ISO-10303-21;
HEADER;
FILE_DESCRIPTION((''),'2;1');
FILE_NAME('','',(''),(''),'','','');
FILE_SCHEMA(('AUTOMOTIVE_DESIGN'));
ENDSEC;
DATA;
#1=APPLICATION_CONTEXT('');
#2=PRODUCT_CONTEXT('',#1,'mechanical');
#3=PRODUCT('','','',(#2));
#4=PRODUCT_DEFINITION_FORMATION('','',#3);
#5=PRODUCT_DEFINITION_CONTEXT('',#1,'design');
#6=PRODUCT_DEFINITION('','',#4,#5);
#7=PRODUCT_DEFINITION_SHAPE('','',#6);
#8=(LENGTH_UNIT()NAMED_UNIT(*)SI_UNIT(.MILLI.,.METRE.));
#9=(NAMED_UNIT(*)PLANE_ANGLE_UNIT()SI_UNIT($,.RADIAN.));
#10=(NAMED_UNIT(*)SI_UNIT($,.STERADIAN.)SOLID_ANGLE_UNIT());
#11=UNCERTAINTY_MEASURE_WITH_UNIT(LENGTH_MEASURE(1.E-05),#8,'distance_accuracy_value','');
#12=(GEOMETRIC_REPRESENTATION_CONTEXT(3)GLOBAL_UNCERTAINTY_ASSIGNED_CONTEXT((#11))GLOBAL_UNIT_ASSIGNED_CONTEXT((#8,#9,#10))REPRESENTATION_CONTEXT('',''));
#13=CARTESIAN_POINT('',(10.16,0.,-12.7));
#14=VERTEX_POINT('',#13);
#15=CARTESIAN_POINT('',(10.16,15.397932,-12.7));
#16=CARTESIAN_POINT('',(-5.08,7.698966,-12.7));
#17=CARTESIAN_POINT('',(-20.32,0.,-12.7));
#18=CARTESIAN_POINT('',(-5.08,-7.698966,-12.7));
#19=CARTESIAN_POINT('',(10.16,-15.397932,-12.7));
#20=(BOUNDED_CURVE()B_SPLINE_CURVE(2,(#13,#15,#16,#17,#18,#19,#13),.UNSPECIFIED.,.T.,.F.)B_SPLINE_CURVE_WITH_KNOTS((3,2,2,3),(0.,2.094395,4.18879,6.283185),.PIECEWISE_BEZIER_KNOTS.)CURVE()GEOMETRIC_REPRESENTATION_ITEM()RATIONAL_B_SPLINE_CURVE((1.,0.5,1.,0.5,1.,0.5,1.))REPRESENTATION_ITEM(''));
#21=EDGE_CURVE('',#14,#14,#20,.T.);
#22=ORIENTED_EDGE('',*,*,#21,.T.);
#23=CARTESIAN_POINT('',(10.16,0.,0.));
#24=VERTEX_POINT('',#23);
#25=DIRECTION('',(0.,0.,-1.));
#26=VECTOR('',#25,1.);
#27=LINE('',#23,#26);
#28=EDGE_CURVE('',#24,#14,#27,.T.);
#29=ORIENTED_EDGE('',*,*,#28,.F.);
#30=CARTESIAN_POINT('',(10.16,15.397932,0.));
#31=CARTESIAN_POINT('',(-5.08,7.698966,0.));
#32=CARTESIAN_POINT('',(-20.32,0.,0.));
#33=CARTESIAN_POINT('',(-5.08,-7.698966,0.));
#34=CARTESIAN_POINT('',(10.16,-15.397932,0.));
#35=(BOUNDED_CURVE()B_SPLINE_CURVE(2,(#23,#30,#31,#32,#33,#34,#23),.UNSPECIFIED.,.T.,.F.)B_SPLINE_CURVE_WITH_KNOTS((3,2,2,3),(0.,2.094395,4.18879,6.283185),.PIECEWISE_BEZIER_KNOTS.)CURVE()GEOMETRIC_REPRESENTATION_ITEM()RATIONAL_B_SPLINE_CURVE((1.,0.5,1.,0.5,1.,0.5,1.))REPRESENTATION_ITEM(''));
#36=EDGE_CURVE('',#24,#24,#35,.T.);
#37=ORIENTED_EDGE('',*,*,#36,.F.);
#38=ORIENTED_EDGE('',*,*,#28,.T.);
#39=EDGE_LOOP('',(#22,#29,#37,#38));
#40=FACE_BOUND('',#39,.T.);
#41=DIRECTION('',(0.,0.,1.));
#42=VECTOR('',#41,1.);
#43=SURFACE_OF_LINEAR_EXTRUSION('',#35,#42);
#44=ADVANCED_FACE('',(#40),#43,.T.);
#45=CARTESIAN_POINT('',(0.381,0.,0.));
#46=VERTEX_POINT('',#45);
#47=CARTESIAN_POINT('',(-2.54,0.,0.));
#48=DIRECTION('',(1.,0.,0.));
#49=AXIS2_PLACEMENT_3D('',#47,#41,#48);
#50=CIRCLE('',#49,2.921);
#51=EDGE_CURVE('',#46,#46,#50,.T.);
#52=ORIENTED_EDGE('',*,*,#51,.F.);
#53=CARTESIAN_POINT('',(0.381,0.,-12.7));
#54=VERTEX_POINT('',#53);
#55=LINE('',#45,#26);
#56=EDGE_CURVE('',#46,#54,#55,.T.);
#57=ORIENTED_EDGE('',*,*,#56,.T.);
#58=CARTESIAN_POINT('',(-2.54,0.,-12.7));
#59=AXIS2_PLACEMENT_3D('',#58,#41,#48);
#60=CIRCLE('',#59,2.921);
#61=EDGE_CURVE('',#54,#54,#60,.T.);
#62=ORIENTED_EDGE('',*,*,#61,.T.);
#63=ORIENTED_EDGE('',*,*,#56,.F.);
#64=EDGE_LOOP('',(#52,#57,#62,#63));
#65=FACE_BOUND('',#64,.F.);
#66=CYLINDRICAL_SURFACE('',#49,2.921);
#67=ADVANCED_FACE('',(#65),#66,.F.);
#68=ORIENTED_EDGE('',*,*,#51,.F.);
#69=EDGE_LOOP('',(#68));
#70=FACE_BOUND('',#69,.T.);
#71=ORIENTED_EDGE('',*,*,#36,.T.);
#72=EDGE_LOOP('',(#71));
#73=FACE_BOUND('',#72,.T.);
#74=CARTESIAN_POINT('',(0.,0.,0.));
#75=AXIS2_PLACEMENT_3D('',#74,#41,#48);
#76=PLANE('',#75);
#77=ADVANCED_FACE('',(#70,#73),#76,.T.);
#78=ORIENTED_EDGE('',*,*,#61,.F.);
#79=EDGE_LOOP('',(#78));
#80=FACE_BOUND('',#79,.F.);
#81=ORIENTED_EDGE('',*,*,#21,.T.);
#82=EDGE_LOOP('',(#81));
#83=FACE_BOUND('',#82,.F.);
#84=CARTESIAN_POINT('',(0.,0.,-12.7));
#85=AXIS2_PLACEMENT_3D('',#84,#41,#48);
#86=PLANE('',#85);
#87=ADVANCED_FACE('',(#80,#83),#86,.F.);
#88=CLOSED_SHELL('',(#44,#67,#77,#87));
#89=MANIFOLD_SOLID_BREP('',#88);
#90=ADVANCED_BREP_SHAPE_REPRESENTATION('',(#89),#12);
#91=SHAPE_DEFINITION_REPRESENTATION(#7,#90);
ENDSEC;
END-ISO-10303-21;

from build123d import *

# Parameters (mm, degrees)
F0_R     = 2.921
F1_DEPTH = 12.7


with BuildPart() as f1:
    # F0 (on Top) → F1 (new body)
    with BuildSketch(Plane.XY):
        with BuildLine():
            add(Edge.make_bspline(
                [(10.16, 0), (10.16, 15.397932), (-5.08, 7.698966), (-20.32, 0), (-5.08, -7.698966), (10.16, -15.397932), (10.16, 0)],
                knots=[0, 0, 0, 2.094395, 2.094395, 4.18879, 4.18879, 6.283185, 6.283185, 6.283185], degree=2, weights=[1, 0.5, 1, 0.5, 1, 0.5, 1]))
        make_face()
        with Locations((-2.54, 0)):
            Circle(F0_R, mode=Mode.SUBTRACT)
    extrude(amount=-F1_DEPTH)


solid = f1.part
